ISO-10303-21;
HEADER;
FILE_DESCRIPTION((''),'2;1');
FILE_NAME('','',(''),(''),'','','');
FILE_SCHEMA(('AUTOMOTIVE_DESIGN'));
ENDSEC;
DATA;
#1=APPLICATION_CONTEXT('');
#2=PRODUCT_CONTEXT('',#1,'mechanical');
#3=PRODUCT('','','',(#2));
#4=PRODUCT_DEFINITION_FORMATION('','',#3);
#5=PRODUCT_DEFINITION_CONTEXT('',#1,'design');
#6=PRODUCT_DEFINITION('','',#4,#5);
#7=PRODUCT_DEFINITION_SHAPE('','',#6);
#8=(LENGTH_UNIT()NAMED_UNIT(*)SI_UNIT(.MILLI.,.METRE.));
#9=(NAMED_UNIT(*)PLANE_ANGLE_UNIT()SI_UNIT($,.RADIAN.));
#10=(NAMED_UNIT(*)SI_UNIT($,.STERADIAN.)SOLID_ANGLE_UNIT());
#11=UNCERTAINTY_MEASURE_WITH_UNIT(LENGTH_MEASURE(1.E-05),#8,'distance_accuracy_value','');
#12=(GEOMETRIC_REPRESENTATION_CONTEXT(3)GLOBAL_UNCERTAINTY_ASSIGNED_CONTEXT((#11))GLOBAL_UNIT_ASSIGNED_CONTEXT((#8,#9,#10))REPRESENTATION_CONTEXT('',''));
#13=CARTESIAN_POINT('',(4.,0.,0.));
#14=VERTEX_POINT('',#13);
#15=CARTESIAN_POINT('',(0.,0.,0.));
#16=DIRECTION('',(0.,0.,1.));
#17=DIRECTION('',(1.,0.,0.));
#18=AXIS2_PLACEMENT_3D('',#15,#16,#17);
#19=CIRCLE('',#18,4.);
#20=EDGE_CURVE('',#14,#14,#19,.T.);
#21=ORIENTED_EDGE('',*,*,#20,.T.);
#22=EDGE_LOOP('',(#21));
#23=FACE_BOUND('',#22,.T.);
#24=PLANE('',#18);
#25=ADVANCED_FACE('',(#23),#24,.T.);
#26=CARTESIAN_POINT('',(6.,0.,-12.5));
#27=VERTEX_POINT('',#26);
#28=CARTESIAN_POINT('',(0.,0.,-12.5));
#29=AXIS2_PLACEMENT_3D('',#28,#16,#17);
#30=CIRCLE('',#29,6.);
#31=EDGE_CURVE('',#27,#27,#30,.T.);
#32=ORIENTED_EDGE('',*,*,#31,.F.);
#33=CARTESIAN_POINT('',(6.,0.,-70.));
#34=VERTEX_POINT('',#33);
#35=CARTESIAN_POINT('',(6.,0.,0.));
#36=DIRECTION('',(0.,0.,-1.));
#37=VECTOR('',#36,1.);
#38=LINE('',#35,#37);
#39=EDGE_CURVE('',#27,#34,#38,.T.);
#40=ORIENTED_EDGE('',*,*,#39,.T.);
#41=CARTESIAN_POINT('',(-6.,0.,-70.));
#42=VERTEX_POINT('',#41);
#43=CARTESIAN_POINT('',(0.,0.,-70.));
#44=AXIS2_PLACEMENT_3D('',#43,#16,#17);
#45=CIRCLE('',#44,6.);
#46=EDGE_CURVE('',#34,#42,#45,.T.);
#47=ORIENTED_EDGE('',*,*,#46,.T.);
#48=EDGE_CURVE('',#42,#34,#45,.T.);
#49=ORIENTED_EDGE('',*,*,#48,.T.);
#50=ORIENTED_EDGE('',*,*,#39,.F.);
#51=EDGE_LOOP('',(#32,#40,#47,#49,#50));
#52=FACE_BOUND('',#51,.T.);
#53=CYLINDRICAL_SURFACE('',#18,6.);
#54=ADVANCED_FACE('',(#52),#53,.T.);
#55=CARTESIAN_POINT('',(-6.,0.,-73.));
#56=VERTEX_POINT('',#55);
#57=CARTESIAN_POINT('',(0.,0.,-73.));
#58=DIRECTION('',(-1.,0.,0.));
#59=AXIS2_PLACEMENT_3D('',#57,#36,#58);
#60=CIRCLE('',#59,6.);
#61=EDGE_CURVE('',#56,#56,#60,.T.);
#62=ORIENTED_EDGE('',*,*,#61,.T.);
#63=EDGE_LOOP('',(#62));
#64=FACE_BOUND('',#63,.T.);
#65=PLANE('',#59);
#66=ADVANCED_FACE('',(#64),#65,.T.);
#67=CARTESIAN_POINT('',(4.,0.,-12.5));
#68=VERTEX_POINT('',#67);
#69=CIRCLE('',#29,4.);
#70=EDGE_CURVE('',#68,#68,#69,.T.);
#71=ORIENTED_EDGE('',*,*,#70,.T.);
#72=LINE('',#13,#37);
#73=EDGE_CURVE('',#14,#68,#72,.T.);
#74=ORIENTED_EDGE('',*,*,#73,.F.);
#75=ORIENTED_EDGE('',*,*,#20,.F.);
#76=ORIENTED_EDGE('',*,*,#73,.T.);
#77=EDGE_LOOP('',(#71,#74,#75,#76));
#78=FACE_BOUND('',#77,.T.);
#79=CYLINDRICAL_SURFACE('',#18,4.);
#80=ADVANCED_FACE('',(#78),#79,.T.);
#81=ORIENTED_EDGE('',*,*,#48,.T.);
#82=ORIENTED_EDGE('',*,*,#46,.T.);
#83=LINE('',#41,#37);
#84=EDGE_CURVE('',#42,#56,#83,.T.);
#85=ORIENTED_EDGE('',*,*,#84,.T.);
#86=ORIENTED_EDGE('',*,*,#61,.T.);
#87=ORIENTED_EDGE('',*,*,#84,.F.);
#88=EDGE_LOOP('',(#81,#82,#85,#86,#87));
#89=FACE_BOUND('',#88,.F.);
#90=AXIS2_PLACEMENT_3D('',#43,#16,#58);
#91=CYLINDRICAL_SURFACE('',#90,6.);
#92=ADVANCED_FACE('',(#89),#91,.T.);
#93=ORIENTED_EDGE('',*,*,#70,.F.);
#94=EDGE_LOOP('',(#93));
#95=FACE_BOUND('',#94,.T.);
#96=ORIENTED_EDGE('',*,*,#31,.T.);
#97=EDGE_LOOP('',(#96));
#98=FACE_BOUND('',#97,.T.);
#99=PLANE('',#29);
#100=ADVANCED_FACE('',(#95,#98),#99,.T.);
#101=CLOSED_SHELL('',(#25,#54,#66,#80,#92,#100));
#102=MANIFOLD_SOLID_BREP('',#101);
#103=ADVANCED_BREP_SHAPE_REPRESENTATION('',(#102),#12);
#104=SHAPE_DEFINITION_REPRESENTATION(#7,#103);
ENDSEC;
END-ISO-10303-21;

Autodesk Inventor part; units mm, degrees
ref_plane "YZ Plane" through (0, 0, 0) normal (1, 0, 0) x (0, 1, 0)
ref_plane "XZ Plane" through (0, 0, 0) normal (0, 1, 0) x (-1, 0, 0)
ref_plane "XY Plane" through (0, 0, 0) normal (0, 0, 1) x (1, 0, 0)
sketch "スケッチ1" plane through (0, 0, 0) normal (0, 0, 1) x (1, 0, 0)
  circle A0 centre (0, 0) radius 6
  dimension "d0" = 12
extrude "押し出し1" add sketch "スケッチ1" against normal blind 70
sketch "スケッチ2" plane through (0, 0, 0) normal (0, 0, 1) x (1, 0, 0)
  circle A0 centre (0, 0) radius 6
  circle A1 centre (0, 0) radius 4
  dimension "d3" = 8
extrude "押し出し2" cut sketch "スケッチ2" against normal blind 12.5
sketch "スケッチ3" plane through (0, 0, -70) normal (0, 0, -1) x (-1, 0, 0)
  circle A0 centre (0, 0) radius 6
extrude "押し出し3" add sketch "スケッチ3" along normal blind 3
properties part number "円柱12mm"
